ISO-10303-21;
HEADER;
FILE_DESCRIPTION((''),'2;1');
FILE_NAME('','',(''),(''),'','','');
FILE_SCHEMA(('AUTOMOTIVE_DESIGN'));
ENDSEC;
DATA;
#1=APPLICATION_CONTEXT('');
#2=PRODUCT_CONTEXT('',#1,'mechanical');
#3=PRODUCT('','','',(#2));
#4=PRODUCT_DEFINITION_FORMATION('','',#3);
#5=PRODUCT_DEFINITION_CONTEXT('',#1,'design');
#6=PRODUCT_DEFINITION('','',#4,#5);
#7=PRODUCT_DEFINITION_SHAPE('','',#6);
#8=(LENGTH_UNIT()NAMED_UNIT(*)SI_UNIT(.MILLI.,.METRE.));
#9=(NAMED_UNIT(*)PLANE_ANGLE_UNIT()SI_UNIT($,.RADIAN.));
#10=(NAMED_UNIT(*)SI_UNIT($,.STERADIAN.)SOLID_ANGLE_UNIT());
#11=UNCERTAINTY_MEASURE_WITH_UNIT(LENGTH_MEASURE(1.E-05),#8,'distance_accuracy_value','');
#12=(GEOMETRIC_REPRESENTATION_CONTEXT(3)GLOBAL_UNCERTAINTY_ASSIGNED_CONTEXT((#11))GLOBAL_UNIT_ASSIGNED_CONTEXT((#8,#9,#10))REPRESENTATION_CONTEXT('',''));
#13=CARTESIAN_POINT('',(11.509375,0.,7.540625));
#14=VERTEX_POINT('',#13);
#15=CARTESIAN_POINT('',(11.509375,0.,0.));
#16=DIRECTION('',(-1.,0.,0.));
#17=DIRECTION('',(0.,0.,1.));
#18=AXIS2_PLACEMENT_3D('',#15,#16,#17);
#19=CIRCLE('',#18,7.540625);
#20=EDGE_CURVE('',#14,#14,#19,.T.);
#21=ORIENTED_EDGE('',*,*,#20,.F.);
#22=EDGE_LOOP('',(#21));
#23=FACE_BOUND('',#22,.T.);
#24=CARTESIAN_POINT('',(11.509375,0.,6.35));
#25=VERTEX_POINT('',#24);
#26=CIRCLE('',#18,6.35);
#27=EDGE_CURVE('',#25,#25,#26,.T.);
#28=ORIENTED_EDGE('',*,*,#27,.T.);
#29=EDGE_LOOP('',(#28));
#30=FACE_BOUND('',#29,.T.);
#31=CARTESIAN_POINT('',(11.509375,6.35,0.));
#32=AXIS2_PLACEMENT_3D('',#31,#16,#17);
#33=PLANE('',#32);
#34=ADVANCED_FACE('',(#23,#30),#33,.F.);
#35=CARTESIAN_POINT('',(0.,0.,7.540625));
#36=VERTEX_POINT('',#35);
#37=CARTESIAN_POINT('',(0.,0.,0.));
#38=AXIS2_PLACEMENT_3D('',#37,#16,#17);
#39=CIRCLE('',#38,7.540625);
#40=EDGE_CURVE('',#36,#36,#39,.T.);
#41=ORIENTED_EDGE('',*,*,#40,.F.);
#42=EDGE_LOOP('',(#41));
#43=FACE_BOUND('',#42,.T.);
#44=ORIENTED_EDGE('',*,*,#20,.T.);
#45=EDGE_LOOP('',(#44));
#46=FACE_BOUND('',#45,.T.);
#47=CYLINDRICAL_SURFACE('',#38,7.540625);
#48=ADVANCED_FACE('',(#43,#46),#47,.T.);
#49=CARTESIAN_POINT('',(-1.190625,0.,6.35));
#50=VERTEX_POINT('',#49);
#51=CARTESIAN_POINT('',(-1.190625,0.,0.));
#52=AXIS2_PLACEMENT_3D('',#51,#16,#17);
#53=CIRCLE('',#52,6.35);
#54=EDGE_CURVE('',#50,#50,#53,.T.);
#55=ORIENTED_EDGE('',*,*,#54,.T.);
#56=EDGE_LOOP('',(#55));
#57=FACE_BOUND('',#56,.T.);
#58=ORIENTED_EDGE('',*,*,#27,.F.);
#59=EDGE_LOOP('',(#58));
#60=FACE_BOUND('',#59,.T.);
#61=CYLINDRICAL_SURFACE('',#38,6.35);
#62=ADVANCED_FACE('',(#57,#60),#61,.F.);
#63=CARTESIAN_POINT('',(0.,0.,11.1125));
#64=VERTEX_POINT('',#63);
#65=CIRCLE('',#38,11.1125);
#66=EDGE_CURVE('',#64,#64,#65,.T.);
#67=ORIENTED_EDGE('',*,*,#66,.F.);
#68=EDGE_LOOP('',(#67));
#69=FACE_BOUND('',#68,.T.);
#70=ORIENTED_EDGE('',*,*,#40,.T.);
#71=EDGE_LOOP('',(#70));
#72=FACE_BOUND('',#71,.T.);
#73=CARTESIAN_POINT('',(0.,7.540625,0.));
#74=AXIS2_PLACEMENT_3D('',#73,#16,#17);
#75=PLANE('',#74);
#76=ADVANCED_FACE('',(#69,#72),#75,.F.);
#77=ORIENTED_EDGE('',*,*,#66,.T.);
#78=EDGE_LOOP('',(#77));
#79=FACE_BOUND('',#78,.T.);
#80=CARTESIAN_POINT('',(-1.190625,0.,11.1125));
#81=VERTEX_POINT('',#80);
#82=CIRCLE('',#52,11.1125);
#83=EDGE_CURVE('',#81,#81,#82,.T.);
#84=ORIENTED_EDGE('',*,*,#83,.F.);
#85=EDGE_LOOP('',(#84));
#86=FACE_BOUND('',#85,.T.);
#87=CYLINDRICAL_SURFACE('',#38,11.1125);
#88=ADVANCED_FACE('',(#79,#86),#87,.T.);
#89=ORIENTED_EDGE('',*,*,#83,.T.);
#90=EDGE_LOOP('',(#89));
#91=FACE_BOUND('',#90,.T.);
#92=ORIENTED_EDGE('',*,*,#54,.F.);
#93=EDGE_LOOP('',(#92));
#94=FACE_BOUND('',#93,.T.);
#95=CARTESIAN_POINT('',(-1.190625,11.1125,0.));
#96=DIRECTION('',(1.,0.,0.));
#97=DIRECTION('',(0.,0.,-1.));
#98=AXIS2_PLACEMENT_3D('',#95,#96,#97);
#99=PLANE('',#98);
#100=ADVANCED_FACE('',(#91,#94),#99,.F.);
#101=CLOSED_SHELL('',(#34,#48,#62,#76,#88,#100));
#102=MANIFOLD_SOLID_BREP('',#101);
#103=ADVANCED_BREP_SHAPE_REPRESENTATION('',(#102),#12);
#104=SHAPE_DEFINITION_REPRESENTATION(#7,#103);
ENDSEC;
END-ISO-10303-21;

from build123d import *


with BuildPart() as part:
    # Sketch2 → Revolve1 (revolve)
    with BuildSketch(Plane.XY, mode=Mode.PRIVATE) as revolve1_sk:
        Polygon((-1.190625, 11.1125), (-1.190625, 6.35), (11.509375, 6.35), (11.509375, 7.540625), (0, 7.540625), (0, 11.1125), align=None)
    revolve(revolve1_sk.sketch.rotate(Axis((0, 0, 0), (1, 0, 0)), 90), axis=Axis((0, 0, 0), (1, 0, 0)))  # turned: the seam where the file's is


solid = part.part
